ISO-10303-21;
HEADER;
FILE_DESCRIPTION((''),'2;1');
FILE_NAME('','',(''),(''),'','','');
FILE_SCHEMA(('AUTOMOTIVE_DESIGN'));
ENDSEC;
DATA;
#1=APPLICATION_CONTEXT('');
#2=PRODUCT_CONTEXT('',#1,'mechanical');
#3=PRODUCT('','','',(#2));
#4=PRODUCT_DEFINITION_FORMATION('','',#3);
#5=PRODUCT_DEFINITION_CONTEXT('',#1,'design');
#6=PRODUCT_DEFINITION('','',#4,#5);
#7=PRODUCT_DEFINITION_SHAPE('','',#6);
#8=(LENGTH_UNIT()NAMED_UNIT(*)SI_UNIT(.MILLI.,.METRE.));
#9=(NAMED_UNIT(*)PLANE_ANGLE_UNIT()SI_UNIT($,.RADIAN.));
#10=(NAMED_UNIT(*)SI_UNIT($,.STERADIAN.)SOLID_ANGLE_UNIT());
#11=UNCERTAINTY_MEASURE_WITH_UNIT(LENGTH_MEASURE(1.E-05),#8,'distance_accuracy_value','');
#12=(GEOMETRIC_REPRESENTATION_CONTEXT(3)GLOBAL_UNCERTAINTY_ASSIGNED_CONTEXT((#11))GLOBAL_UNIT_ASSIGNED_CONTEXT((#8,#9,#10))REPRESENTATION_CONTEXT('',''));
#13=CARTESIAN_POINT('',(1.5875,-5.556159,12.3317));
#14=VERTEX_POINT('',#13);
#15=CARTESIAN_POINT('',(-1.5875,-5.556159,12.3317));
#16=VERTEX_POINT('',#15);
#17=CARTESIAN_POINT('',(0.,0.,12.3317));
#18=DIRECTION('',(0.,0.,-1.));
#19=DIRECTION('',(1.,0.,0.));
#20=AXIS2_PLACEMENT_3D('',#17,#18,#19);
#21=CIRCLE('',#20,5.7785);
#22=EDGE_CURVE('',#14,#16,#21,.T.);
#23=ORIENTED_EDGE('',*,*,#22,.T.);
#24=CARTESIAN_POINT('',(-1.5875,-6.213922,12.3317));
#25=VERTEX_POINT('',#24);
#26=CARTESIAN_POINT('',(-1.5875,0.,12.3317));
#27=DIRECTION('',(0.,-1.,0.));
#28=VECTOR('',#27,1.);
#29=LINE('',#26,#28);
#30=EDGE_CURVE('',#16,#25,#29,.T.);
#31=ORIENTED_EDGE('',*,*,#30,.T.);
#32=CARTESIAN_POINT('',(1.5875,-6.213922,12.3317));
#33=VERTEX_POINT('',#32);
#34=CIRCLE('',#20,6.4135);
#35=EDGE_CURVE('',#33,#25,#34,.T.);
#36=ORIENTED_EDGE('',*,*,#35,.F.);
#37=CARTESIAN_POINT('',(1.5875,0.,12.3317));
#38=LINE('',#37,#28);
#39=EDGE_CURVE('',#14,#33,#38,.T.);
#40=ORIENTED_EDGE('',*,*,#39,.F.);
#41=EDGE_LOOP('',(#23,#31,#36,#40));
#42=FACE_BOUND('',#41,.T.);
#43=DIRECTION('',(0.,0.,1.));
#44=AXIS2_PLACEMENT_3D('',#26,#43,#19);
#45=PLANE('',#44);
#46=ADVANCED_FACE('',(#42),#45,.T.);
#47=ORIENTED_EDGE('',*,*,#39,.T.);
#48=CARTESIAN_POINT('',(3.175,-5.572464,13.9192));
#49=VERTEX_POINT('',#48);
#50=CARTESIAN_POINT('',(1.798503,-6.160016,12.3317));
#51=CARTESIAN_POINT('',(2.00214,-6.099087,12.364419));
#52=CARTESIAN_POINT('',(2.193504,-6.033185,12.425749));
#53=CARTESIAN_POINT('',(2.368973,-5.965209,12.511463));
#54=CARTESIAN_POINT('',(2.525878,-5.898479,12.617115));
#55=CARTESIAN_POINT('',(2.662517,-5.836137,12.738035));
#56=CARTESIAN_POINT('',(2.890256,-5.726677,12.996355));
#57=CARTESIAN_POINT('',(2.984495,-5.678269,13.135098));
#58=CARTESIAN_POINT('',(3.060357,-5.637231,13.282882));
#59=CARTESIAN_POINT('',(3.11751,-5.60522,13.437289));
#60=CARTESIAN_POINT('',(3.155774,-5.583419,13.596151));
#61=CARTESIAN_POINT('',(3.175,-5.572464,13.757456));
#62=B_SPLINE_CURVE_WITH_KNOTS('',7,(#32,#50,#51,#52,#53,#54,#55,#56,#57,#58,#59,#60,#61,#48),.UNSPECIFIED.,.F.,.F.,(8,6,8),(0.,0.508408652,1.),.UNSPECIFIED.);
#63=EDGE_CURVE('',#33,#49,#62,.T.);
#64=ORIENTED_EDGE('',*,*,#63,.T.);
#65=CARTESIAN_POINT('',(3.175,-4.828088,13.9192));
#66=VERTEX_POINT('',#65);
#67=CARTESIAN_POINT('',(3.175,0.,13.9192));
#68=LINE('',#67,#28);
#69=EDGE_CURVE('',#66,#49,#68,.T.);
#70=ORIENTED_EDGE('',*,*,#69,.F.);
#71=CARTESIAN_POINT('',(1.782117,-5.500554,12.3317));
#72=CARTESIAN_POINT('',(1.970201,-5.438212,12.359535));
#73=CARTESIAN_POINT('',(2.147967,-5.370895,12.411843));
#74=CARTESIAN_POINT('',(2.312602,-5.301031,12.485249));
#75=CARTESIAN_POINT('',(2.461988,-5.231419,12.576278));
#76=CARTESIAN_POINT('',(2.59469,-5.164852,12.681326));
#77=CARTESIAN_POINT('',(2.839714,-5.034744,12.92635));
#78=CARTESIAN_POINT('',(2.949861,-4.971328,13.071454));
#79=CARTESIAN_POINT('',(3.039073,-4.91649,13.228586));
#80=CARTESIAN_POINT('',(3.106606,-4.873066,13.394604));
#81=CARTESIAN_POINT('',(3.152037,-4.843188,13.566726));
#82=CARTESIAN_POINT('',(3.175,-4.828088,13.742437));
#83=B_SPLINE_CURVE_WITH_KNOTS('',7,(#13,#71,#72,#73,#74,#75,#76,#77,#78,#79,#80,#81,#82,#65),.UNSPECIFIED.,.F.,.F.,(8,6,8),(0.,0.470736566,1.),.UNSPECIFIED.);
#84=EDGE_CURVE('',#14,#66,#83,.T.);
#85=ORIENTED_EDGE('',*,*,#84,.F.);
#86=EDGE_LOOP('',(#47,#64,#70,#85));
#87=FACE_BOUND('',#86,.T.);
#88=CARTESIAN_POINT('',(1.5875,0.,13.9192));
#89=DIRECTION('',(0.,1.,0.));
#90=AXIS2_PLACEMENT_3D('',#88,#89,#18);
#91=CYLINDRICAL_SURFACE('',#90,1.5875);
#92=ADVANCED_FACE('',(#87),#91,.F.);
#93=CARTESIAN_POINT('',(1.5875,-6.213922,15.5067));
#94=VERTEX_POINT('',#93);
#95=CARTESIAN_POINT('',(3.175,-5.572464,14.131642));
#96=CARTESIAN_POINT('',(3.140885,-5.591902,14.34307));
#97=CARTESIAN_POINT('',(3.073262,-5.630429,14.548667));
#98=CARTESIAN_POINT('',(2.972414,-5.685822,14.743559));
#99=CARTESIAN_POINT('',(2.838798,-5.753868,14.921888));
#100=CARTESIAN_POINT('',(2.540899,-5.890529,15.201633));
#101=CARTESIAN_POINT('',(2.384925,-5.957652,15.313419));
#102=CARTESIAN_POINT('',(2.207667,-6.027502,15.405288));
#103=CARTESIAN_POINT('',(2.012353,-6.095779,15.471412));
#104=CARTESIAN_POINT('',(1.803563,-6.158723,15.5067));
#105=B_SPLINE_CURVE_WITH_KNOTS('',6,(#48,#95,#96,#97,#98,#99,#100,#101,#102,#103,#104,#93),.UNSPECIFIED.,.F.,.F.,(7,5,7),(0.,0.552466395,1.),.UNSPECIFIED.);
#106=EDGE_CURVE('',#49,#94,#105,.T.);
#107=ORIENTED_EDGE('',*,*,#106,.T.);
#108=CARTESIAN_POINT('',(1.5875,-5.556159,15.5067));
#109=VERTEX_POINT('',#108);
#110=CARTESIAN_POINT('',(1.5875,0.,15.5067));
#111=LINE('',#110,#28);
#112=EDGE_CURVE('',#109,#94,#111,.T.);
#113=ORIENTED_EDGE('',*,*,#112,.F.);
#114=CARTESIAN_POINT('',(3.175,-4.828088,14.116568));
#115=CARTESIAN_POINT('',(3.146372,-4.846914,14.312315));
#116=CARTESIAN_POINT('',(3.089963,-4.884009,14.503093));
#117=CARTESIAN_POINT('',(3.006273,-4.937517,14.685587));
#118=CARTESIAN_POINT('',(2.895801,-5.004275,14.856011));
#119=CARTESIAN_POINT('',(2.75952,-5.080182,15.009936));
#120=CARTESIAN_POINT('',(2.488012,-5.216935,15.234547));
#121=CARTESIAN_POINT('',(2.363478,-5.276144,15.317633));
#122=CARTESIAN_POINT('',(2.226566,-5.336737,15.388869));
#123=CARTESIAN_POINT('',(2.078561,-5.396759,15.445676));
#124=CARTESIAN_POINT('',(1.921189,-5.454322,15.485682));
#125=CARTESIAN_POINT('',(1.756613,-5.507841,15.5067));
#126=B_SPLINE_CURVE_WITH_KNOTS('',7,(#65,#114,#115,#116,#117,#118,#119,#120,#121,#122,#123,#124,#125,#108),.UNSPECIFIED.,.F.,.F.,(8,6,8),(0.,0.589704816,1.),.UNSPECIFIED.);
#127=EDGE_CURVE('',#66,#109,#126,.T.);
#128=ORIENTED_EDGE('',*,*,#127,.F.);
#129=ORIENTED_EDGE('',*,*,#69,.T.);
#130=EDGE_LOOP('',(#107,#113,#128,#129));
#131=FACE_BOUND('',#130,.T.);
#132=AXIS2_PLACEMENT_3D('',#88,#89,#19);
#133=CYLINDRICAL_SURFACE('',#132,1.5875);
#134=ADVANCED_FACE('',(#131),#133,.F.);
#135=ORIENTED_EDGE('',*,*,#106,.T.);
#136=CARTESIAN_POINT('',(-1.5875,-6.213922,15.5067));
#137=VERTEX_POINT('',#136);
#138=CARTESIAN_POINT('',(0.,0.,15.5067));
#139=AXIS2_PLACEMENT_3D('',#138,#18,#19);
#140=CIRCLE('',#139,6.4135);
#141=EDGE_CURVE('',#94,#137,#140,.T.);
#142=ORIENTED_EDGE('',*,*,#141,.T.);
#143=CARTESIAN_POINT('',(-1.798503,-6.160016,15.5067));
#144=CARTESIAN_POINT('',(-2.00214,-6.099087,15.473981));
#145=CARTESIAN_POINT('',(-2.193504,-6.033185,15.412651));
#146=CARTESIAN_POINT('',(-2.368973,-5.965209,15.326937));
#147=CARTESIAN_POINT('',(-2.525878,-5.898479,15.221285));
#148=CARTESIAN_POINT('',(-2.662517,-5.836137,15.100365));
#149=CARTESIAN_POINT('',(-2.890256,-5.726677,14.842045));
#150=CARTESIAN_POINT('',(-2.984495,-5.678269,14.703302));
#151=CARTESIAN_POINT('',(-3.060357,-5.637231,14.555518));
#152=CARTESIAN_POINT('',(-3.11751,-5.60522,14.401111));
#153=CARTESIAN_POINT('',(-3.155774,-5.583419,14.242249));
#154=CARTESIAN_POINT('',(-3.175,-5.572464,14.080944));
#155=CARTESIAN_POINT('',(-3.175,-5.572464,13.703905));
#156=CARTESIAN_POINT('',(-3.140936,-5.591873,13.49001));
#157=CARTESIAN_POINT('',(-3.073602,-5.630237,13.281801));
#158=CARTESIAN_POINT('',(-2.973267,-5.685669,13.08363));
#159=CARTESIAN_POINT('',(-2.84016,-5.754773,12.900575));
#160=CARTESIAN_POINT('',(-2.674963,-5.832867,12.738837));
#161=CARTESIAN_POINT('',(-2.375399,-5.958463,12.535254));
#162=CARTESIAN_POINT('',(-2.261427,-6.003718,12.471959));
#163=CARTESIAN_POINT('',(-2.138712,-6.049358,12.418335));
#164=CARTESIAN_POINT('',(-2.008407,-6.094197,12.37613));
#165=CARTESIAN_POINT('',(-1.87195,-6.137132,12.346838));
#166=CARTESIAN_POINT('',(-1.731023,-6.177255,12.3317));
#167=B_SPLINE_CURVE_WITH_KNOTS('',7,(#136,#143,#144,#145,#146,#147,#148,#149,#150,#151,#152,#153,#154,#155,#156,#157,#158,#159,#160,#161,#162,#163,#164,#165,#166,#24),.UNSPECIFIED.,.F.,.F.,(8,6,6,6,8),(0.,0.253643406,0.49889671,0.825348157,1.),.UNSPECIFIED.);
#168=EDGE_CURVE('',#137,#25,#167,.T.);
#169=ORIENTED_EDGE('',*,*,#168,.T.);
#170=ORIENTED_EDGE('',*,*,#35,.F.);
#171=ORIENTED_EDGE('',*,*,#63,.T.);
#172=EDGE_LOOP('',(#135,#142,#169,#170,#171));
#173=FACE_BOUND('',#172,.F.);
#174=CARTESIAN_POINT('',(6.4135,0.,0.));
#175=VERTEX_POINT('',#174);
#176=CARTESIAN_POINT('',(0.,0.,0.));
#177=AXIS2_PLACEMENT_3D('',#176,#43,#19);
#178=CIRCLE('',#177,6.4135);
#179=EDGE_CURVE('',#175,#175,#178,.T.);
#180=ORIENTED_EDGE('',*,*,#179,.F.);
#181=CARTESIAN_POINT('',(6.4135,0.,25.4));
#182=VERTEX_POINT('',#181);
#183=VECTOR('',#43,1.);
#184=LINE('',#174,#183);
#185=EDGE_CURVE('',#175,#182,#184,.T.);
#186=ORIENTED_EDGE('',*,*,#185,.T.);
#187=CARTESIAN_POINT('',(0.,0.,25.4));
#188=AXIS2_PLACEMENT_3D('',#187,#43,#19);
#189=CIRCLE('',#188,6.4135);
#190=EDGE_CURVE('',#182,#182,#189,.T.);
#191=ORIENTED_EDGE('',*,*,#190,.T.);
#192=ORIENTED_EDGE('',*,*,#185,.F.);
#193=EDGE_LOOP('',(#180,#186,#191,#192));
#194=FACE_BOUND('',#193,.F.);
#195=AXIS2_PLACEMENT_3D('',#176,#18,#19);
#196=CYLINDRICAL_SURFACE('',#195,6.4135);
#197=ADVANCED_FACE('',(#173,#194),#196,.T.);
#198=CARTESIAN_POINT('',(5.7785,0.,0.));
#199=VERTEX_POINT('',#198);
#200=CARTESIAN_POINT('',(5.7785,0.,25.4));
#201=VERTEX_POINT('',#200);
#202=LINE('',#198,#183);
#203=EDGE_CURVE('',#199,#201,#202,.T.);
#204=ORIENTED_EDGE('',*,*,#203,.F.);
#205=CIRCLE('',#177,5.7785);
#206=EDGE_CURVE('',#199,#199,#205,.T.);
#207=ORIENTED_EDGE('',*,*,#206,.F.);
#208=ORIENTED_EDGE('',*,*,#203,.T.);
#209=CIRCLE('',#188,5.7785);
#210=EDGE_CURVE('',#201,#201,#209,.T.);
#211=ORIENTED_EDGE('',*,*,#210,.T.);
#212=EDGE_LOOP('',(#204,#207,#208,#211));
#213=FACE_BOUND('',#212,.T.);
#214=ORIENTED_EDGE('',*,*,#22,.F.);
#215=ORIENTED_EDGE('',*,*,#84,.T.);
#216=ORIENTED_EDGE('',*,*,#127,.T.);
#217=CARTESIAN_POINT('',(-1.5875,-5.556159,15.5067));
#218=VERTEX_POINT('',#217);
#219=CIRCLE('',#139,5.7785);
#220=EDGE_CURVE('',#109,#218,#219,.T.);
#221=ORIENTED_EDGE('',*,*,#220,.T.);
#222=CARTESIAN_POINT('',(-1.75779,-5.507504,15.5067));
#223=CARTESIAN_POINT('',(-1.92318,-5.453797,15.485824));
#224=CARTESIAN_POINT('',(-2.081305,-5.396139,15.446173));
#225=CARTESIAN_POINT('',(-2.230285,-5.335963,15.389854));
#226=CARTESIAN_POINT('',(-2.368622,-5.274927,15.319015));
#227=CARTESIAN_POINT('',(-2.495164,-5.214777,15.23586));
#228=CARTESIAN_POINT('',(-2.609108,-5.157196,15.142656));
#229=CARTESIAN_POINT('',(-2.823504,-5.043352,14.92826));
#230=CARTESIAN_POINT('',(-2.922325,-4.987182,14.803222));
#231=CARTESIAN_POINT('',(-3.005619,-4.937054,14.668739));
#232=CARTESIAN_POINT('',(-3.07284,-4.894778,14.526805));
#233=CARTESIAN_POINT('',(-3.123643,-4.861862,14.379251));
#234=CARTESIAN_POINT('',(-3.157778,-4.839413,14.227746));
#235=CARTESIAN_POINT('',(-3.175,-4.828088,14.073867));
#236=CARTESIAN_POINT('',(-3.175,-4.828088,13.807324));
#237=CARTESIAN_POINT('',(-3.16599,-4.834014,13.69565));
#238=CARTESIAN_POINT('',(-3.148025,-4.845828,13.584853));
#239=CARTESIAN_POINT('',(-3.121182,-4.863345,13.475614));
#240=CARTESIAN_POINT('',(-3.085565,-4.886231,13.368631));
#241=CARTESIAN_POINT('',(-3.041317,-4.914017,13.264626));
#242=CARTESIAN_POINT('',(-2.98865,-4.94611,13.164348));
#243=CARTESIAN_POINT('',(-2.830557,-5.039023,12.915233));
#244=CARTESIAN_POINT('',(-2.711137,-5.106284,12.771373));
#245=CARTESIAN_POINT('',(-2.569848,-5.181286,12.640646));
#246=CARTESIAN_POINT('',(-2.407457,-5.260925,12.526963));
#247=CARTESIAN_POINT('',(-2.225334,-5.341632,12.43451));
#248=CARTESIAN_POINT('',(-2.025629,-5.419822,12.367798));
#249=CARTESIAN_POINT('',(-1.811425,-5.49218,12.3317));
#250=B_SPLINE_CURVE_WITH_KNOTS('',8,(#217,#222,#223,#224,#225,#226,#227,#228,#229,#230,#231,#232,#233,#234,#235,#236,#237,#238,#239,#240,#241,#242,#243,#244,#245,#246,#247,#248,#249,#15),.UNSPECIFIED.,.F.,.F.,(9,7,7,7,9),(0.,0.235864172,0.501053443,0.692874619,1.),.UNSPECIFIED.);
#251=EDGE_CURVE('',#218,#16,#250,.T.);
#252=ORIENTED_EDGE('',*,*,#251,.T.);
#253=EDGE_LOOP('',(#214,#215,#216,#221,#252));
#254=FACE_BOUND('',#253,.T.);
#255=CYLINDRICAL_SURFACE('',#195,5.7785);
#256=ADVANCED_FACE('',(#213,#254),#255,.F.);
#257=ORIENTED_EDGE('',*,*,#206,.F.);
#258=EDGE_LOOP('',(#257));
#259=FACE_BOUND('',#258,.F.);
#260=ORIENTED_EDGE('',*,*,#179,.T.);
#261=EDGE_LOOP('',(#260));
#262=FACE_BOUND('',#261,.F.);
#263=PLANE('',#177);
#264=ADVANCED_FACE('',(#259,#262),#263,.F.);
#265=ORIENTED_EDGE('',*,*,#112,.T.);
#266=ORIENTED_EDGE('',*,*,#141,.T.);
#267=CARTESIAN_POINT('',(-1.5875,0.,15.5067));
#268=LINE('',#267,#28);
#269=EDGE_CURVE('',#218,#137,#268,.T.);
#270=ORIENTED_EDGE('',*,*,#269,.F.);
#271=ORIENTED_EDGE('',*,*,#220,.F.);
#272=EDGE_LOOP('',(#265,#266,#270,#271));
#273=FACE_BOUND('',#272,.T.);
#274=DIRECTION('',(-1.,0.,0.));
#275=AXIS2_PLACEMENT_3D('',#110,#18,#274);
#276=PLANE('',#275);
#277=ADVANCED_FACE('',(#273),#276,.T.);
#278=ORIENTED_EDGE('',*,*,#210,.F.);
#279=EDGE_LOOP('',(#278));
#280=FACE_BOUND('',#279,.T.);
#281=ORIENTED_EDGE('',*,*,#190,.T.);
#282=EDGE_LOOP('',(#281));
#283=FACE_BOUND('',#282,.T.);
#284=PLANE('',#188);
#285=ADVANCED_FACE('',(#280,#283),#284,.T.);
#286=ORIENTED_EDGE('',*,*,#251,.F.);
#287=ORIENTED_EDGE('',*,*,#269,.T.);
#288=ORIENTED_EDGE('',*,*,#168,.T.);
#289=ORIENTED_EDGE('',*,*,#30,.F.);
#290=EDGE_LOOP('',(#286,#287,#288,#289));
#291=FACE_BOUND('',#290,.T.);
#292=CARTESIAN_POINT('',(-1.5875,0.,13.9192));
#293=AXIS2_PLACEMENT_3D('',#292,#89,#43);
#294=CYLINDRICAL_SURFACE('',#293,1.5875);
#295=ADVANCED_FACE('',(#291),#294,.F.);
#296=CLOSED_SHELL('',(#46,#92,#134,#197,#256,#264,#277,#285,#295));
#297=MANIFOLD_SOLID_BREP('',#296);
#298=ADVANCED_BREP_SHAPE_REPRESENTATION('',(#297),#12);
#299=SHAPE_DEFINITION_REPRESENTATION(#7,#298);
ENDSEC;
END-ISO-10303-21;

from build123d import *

# Parameters (mm, degrees)
F0_R     = 6.4135
F0_R_2   = 5.7785
F1_DEPTH = 25.4
F3_DEPTH = 25.4


with BuildPart() as f1:
    # F0 (on Top) → F1 (new body)
    with BuildSketch(Plane.XY):
        Circle(F0_R)
        Circle(F0_R_2, mode=Mode.SUBTRACT)
    extrude(amount=F1_DEPTH)

    # F2 (on Front) → F3 (cut)
    with BuildSketch(Plane.XZ):
        with BuildLine():
            Line((-1.5875, 12.3317), (0, 12.3317))
            Line((0, 12.3317), (0, 13.9192))
            ThreePointArc((0, 13.9192), (-0.4649679849, 12.7966679849), (-1.5875, 12.3317))
        make_face()
        with BuildLine():
            Line((0, 13.9192), (0, 12.3317))
            Line((0, 12.3317), (1.5875, 12.3317))
            ThreePointArc((1.5875, 12.3317), (0.4649679849, 12.7966679849), (0, 13.9192))
        make_face()
        with BuildLine():
            ThreePointArc((1.5875, 15.5067), (0.4649679849, 15.0417320151), (0, 13.9192))
            Line((0, 13.9192), (1.5875, 13.9192))
            Line((1.5875, 13.9192), (1.5875, 15.5067))
        make_face()
        with BuildLine():
            ThreePointArc((-1.5875, 12.3317), (-0.4649679849, 12.7966679849), (0, 13.9192))
            Line((0, 13.9192), (-1.5875, 13.9192))
            Line((-1.5875, 13.9192), (-1.5875, 12.3317))
        make_face()
        with BuildLine():
            Line((-1.5875, 13.9192), (0, 13.9192))
            ThreePointArc((0, 13.9192), (-0.4649679849, 15.0417320151), (-1.5875, 15.5067))
            ThreePointArc((-1.5875, 15.5067), (-3.175, 13.9192), (-1.5875, 12.3317))
            Line((-1.5875, 12.3317), (-1.5875, 13.9192))
        make_face()
        with BuildLine():
            ThreePointArc((-1.5875, 15.5067), (-0.4649679849, 15.0417320151), (0, 13.9192))
            ThreePointArc((0, 13.9192), (0.4649679849, 15.0417320151), (1.5875, 15.5067))
            Line((1.5875, 15.5067), (-1.5875, 15.5067))
        make_face()
        with BuildLine():
            Line((1.5875, 13.9192), (0, 13.9192))
            ThreePointArc((0, 13.9192), (0.4649679849, 12.7966679849), (1.5875, 12.3317))
            Line((1.5875, 12.3317), (1.5875, 13.9192))
        make_face()
        with BuildLine():
            Line((1.5875, 13.9192), (1.5875, 12.3317))
            ThreePointArc((1.5875, 12.3317), (2.7100320151, 12.7966679849), (3.175, 13.9192))
            ThreePointArc((3.175, 13.9192), (2.7100320151, 15.0417320151), (1.5875, 15.5067))
            Line((1.5875, 15.5067), (1.5875, 13.9192))
        make_face()
    extrude(amount=F3_DEPTH, mode=Mode.SUBTRACT)


solid = f1.part
